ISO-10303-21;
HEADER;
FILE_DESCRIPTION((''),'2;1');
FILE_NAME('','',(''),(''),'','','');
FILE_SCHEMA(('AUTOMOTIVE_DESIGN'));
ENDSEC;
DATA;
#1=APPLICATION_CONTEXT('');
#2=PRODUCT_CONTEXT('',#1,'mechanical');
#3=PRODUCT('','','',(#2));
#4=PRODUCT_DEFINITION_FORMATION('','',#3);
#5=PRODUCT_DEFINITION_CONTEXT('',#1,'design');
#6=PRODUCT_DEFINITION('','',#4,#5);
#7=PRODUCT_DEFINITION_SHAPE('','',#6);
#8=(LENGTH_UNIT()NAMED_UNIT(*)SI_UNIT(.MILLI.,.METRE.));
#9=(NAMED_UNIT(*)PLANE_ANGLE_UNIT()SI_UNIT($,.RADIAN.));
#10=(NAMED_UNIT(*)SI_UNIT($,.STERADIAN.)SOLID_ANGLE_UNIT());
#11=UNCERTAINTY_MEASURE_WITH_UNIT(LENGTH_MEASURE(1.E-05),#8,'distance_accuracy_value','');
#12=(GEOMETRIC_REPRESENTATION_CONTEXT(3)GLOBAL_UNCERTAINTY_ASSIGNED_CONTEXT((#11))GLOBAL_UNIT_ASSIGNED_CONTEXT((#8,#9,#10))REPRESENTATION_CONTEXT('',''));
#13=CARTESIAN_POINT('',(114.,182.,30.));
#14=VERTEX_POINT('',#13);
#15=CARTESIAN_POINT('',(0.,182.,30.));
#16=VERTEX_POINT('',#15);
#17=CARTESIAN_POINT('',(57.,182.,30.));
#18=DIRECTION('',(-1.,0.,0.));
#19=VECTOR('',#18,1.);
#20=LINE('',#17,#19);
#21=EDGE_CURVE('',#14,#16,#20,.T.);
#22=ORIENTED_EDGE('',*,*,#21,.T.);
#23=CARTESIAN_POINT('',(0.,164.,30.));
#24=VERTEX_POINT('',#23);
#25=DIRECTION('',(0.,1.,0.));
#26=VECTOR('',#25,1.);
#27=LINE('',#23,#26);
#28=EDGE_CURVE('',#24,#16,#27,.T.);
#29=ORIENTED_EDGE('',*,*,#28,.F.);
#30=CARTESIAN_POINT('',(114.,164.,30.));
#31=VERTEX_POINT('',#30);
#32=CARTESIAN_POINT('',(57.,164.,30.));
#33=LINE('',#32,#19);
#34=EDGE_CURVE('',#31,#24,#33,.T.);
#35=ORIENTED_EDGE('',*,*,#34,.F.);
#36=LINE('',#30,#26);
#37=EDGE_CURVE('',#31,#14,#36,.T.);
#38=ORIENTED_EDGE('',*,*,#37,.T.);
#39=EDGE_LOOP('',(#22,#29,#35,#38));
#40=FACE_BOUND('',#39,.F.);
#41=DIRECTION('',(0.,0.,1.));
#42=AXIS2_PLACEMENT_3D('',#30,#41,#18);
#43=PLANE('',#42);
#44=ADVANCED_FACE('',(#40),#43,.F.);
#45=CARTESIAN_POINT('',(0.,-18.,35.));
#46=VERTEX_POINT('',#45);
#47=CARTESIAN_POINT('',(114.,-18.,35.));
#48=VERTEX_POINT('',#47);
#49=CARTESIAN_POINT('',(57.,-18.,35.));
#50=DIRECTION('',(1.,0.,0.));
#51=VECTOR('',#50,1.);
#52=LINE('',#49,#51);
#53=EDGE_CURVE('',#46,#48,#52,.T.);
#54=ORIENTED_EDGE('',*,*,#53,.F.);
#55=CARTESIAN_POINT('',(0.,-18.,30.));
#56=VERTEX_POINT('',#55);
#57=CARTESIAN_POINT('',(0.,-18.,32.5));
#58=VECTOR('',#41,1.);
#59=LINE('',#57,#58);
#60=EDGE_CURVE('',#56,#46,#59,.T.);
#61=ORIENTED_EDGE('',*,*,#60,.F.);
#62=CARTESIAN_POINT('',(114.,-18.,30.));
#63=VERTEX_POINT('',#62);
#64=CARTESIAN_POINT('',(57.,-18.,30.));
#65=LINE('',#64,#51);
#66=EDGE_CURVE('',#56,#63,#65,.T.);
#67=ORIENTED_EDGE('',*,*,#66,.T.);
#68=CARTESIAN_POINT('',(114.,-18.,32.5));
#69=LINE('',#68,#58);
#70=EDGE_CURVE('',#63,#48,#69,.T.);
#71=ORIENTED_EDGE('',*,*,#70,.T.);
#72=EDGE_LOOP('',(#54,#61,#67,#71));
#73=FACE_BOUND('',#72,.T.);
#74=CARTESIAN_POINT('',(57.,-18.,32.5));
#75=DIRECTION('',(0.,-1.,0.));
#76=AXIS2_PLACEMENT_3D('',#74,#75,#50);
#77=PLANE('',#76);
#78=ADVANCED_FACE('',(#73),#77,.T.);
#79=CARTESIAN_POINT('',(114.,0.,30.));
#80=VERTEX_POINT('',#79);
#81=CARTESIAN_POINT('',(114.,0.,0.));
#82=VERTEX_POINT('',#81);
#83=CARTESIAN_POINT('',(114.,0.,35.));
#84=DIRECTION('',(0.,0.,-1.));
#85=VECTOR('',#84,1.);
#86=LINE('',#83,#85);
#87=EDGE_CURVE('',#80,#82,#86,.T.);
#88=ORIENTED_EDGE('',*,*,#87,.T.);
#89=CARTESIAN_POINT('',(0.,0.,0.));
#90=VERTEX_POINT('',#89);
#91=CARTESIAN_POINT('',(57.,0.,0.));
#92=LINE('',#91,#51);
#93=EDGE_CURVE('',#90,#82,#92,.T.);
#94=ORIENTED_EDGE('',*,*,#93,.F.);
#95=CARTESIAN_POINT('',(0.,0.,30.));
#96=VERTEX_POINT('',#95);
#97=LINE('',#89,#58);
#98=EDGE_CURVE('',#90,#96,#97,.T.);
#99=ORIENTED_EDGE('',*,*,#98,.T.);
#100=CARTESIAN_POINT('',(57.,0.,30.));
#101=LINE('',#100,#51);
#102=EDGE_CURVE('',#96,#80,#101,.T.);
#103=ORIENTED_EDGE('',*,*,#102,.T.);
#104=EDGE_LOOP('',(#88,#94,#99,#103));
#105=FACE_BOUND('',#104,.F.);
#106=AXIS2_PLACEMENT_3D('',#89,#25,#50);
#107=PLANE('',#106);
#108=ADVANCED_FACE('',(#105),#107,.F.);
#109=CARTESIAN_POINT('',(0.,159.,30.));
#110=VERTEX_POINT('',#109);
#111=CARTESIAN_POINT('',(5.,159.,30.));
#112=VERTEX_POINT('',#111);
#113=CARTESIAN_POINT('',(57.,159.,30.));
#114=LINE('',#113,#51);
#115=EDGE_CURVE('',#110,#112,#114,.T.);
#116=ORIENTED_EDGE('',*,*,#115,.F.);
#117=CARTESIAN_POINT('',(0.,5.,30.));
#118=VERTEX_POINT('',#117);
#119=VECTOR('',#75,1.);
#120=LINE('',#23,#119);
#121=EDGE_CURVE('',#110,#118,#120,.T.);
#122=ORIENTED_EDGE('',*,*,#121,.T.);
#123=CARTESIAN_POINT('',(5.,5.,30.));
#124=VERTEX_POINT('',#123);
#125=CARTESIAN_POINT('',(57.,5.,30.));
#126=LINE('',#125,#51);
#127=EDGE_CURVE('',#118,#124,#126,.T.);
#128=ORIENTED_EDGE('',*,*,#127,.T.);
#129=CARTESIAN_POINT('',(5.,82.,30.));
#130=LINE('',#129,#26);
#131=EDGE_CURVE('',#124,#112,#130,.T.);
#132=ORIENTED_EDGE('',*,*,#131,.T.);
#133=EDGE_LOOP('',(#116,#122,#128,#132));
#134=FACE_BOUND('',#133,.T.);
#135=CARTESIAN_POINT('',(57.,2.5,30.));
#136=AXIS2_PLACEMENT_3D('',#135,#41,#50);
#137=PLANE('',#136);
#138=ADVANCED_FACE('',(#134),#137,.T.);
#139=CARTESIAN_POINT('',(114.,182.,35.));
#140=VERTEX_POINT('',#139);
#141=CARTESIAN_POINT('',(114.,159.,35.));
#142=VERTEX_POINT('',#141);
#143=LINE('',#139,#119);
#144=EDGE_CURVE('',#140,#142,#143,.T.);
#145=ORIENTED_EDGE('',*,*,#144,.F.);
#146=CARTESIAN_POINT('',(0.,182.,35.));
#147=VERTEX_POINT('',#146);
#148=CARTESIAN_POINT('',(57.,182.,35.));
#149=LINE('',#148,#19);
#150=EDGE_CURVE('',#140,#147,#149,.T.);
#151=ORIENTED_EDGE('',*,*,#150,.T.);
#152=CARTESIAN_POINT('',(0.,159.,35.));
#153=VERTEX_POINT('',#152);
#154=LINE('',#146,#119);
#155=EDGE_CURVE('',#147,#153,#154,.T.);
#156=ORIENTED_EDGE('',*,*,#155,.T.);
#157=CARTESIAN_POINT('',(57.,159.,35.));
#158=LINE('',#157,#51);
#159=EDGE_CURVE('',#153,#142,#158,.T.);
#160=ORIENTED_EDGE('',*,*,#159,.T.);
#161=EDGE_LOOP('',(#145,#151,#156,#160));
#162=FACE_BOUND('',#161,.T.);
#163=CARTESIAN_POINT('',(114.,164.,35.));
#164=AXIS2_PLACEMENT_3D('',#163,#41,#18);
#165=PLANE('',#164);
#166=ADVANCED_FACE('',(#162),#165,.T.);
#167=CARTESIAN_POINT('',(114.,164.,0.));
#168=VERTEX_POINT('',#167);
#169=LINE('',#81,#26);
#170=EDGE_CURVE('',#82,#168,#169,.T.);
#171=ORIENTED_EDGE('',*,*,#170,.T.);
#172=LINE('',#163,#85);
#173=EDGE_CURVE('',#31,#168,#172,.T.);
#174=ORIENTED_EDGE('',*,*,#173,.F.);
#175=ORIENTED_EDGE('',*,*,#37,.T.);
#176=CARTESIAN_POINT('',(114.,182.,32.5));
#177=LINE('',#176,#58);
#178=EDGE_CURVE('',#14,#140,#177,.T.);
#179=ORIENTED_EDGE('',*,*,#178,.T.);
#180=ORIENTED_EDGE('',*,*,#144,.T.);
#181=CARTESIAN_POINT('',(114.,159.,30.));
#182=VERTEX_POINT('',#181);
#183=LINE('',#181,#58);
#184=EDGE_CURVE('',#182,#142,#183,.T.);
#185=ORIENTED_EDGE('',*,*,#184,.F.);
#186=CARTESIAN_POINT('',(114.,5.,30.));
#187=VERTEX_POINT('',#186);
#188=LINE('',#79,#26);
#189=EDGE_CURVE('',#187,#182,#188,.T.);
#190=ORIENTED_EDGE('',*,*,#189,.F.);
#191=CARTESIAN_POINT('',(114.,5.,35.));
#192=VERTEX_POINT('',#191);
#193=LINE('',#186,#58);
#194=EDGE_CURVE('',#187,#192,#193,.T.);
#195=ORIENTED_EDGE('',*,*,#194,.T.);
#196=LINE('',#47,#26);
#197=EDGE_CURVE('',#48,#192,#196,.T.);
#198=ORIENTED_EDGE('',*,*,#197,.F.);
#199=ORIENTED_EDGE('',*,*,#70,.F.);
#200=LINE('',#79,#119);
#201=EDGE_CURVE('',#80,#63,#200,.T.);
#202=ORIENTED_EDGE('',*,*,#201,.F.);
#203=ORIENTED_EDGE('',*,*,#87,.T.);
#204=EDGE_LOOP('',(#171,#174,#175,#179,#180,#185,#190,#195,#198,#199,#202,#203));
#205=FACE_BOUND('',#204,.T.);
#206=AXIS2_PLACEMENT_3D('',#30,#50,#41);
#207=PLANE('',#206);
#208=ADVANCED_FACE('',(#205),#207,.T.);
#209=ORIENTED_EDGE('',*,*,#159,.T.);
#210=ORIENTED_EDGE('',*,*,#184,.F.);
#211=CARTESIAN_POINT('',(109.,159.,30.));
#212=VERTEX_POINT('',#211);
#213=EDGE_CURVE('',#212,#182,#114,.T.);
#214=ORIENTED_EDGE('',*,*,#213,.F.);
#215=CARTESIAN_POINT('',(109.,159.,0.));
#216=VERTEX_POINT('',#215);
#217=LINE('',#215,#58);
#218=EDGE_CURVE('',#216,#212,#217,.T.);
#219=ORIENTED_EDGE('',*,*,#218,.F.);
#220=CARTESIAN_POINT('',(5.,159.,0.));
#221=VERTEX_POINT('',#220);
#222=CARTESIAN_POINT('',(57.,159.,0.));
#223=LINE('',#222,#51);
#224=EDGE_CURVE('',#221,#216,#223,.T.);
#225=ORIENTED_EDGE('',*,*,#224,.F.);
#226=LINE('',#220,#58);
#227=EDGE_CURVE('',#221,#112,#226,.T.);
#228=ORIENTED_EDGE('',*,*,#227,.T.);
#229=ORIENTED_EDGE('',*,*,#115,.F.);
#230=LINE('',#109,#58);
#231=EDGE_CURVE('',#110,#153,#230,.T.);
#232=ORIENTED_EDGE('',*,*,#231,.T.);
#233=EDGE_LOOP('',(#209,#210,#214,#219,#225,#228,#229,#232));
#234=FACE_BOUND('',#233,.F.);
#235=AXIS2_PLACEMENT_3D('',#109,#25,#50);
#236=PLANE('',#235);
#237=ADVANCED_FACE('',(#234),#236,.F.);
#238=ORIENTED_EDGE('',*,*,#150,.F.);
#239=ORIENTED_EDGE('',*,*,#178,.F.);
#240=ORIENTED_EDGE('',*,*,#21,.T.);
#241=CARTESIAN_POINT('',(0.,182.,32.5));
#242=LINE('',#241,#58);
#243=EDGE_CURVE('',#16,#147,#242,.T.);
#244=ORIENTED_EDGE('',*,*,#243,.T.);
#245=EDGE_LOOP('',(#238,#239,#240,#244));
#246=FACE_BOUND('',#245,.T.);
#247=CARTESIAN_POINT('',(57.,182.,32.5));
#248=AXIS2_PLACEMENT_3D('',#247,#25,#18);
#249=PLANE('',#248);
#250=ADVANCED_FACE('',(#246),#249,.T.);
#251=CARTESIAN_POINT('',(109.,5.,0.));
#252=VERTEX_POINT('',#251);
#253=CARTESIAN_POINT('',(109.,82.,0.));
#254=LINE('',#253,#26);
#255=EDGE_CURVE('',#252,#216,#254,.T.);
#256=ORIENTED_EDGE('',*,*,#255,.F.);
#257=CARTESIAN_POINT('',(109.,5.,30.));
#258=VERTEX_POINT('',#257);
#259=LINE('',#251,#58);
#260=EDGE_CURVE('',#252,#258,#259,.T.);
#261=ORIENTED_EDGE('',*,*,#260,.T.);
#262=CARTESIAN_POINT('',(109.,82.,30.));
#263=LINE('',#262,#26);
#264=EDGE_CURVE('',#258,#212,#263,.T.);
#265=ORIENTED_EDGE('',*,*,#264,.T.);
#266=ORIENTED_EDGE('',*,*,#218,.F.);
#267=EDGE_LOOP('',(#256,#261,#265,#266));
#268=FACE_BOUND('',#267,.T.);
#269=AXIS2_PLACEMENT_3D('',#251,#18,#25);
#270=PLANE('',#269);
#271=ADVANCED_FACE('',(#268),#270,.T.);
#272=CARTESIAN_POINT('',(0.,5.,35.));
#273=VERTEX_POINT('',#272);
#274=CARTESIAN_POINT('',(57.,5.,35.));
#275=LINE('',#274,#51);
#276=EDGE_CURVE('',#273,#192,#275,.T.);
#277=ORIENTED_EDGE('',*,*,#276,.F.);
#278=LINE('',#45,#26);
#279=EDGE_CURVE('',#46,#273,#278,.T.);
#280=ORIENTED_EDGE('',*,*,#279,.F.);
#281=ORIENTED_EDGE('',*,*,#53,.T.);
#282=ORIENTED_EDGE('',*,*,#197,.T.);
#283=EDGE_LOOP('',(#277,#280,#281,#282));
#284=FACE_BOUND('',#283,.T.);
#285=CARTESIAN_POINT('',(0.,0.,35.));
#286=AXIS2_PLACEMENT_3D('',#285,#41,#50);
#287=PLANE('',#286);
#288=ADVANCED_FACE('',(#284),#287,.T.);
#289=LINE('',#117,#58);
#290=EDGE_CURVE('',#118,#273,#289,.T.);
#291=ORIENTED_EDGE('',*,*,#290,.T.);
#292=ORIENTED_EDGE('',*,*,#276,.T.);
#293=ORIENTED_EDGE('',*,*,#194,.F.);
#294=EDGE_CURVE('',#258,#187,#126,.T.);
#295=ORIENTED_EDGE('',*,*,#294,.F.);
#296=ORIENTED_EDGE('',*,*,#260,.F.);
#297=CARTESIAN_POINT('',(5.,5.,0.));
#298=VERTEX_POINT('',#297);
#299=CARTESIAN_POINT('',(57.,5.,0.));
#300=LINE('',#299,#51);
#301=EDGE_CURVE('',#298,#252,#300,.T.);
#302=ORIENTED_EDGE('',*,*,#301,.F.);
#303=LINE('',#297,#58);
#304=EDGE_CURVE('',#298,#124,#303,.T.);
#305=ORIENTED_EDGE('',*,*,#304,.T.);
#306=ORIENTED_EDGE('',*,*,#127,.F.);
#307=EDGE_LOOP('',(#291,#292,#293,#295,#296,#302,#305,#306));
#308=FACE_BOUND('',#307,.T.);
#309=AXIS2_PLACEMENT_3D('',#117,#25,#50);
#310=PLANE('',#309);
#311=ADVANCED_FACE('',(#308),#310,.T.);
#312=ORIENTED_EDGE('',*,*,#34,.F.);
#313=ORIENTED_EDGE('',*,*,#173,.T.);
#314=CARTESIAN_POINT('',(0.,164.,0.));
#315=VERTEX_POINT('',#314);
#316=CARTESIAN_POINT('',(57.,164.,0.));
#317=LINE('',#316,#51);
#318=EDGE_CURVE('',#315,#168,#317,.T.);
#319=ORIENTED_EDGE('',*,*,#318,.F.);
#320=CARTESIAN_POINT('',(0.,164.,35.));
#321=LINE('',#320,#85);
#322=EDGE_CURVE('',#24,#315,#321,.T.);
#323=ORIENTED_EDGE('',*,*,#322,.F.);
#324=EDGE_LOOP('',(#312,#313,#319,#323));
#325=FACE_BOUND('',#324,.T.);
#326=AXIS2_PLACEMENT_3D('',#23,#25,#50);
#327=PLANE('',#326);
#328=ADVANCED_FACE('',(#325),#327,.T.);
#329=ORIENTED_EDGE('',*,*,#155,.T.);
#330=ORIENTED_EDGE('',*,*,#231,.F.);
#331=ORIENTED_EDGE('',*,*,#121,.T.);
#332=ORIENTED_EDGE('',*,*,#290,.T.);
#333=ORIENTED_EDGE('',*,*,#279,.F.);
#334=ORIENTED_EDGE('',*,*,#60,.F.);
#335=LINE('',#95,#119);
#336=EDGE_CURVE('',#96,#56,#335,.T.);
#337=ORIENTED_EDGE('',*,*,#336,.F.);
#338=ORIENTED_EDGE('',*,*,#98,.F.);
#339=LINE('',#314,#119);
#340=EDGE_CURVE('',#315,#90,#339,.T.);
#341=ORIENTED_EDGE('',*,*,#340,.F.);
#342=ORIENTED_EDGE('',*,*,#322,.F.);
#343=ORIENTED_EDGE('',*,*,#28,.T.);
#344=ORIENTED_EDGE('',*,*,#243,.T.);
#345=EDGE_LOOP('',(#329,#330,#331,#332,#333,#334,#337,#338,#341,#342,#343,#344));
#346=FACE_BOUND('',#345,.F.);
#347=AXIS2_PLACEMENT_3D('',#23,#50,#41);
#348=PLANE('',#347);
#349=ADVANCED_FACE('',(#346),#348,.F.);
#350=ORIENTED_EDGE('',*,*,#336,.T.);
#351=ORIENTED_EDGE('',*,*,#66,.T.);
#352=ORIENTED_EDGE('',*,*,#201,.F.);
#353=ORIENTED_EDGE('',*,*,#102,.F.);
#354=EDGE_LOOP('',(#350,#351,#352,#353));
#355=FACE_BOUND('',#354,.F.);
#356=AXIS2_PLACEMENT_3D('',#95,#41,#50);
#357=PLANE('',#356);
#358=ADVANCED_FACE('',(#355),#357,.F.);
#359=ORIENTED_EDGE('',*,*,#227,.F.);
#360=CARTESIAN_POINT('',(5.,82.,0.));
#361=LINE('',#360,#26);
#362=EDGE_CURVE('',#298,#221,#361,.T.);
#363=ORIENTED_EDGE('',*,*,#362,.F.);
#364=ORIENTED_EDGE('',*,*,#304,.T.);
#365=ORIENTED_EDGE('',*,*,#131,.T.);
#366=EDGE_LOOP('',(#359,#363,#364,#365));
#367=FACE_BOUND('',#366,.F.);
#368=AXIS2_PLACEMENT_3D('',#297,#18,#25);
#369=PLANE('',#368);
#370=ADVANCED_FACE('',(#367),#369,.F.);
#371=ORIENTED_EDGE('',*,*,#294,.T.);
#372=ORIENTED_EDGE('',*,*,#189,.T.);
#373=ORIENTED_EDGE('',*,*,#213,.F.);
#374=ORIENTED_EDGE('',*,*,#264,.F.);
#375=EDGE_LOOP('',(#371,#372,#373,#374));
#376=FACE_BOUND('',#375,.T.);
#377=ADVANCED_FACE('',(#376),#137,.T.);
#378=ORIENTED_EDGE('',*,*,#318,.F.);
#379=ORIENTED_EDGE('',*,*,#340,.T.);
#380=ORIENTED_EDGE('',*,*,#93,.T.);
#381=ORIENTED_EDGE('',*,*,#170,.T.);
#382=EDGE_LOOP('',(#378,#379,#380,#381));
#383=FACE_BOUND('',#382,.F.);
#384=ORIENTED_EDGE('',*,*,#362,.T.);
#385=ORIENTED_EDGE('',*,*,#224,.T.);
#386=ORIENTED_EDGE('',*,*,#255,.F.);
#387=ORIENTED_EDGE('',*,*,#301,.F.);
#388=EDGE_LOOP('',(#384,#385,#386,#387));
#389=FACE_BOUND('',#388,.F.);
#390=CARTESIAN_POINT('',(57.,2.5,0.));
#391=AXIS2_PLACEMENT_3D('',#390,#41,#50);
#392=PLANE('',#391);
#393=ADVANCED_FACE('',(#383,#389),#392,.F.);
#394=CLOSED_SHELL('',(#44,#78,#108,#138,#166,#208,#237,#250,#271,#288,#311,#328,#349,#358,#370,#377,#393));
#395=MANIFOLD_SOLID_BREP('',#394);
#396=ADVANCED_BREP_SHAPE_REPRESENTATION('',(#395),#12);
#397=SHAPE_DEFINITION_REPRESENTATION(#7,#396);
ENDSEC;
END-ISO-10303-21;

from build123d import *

# Parameters (mm, degrees)
SKETCH001_W   = 114
SKETCH001_H   = 5
SKETCH001_W_2 = 5
SKETCH001_H_2 = 154
PAD001_DEPTH  = 30
SKETCH_W      = 114
SKETCH_H      = 5
PAD_DEPTH     = 5
SKETCH002_W   = 114
SKETCH002_H   = 5
PAD002_DEPTH  = 18
SKETCH003_W   = 114
SKETCH003_H   = 5
PAD003_DEPTH  = 18


with BuildPart() as part:
    # Sketch001 → Pad001 (new body)
    with BuildSketch(Plane.XY):
        with Locations((57, 2.5)):
            Rectangle(SKETCH001_W, SKETCH001_H)
        with Locations((2.5, 82)):
            Rectangle(SKETCH001_W_2, SKETCH001_H_2)
        with Locations((111.5, 82)):
            Rectangle(SKETCH001_W_2, SKETCH001_H_2)
        with Locations((57, 161.5)):
            Rectangle(SKETCH001_W, SKETCH001_H)
    extrude(amount=PAD001_DEPTH)

    # Sketch → Pad (new body)
    with BuildSketch(Plane.XY.offset(30)):
        with Locations((57, 161.5)):
            Rectangle(SKETCH_W, SKETCH_H)
        with Locations((57, 2.5)):
            Rectangle(SKETCH_W, SKETCH_H)
    extrude(amount=PAD_DEPTH)

    # Sketch002 → Pad002 (new body)
    with BuildSketch(Plane.XZ):
        with Locations((57, 32.5)):
            Rectangle(SKETCH002_W, SKETCH002_H)
    extrude(amount=PAD002_DEPTH)

    # Sketch003 → Pad003 (new body)
    with BuildSketch(Plane(origin=(0, 164, 0), x_dir=(-1, 0, 0), z_dir=(0, 1, 0))):
        with Locations((-57, 32.5)):
            Rectangle(SKETCH003_W, SKETCH003_H)
    extrude(amount=PAD003_DEPTH)


solid = part.part
